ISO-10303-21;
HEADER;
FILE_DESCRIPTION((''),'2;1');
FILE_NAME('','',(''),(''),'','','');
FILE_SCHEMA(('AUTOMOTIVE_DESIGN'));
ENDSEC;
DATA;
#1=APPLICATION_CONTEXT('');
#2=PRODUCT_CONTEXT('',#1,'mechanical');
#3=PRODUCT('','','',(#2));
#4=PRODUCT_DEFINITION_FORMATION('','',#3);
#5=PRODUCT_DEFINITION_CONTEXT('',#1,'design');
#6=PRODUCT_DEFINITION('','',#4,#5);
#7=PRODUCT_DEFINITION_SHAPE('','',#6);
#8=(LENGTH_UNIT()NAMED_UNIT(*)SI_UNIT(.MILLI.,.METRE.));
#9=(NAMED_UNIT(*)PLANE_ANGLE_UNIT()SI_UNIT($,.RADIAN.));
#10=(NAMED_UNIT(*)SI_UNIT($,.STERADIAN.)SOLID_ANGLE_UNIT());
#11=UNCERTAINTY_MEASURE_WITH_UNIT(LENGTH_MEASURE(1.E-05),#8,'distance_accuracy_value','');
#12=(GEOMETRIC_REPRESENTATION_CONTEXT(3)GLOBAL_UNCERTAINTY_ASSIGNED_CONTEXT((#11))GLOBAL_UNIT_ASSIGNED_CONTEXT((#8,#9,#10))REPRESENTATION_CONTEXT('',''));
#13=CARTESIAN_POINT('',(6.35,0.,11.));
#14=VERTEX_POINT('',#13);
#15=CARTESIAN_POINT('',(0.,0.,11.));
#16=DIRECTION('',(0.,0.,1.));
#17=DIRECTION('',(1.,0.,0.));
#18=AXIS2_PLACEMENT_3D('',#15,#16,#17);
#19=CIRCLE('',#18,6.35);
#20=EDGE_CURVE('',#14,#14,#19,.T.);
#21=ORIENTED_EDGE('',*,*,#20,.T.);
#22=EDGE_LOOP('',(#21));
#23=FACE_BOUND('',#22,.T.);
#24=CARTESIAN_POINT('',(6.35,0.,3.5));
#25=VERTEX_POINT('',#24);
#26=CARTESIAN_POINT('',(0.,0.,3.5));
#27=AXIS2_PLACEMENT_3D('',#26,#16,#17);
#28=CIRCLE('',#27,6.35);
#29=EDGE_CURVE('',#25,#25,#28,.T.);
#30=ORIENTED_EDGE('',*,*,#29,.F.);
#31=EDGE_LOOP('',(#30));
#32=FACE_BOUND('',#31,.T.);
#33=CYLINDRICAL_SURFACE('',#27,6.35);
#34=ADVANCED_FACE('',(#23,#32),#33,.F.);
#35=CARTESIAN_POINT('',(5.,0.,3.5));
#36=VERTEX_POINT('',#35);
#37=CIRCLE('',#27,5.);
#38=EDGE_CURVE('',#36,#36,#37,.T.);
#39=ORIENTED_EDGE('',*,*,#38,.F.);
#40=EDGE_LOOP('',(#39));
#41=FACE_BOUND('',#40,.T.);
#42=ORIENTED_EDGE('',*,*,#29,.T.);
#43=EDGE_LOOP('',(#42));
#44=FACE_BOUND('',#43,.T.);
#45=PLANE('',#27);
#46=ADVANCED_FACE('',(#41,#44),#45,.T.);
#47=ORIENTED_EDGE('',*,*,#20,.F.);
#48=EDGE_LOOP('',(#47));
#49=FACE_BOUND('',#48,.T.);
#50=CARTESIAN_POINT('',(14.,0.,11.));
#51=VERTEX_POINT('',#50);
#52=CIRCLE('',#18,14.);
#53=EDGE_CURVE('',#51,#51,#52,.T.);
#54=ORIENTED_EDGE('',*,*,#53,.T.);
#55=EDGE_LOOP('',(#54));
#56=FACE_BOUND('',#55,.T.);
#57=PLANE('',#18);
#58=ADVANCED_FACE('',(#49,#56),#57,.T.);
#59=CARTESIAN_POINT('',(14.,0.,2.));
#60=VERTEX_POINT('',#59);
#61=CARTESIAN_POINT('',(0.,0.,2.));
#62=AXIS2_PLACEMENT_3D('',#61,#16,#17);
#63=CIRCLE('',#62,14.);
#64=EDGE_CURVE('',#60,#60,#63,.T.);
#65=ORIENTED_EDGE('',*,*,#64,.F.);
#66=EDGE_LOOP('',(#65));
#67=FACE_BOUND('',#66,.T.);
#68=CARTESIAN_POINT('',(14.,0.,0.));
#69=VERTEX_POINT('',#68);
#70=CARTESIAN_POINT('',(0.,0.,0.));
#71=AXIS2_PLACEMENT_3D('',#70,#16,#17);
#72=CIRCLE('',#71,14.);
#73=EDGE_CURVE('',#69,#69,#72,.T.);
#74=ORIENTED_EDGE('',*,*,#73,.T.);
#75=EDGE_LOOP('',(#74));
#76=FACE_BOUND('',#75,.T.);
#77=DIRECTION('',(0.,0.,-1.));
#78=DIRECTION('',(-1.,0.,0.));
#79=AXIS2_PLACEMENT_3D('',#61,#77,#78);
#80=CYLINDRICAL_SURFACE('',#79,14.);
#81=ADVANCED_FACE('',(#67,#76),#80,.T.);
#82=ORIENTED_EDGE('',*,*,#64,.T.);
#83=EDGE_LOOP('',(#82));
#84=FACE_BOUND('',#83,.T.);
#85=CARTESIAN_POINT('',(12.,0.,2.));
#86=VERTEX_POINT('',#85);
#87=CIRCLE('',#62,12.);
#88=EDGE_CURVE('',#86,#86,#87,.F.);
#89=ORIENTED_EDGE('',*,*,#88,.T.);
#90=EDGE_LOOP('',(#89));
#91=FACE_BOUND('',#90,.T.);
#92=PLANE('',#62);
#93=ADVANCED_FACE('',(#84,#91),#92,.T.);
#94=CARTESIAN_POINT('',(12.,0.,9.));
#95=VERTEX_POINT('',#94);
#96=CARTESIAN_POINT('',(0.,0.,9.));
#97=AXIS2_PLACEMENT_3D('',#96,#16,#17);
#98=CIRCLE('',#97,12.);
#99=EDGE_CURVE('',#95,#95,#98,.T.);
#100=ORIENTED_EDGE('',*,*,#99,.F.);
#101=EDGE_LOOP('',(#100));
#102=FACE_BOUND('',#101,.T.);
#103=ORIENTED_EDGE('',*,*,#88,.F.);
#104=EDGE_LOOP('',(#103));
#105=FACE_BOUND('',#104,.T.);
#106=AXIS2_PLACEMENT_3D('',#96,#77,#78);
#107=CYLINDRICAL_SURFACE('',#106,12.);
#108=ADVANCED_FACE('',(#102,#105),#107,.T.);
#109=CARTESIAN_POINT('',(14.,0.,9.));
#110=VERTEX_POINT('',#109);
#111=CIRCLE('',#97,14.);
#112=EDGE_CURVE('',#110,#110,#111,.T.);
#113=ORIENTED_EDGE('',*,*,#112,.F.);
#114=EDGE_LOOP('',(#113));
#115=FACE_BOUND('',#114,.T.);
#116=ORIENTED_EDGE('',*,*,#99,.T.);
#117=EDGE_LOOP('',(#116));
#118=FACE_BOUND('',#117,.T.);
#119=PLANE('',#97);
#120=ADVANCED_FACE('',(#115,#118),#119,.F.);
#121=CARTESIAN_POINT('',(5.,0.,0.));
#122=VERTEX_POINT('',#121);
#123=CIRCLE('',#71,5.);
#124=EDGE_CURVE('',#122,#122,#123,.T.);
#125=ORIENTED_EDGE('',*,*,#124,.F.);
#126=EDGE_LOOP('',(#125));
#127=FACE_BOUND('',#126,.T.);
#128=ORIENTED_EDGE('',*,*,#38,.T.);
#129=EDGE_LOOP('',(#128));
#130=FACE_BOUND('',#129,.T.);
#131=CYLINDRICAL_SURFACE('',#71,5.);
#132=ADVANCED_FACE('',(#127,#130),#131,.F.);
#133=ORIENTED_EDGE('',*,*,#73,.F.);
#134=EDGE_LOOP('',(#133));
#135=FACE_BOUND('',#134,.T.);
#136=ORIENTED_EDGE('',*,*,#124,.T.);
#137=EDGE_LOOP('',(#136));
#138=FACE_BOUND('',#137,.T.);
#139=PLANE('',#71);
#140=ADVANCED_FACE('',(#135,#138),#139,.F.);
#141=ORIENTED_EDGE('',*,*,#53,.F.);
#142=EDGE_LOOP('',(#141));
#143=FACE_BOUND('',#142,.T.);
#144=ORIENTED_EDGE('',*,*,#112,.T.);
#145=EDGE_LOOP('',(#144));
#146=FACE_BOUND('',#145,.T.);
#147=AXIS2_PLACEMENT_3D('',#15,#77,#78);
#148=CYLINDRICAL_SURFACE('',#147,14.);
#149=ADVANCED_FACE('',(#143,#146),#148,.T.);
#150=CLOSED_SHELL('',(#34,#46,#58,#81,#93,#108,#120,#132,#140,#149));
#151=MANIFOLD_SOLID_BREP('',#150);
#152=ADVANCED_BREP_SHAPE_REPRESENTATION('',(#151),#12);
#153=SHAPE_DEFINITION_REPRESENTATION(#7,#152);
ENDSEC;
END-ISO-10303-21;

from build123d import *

# Parameters (mm, degrees)
SKETCH1_R            = 14
SKETCH1_R_2          = 2
TOP_FLANGE_DEPTH     = 2
SKETCH1_3_R          = 12
SKETCH1_3_R_2        = 2
CENTER_SPINDLE_DEPTH = 9
BOTTOM_START         = 9
SKETCH1_4_R          = 14
SKETCH1_4_R_2        = 2
BOTTOM_FLANGE_DEPTH  = 2
BEARING_START        = -7.5
SKETCH2_R            = 6.35
SKETCH2_R_2          = 2
BEARING_RECESS_DEPTH = 7.5
SKETCH2_3_R          = 5
SKETCH2_3_R_2        = 2
SCREW_OPENING_DEPTH  = 23.649503306


with BuildPart() as part:
    # Sketch1 → Top Flange (new body)
    with BuildSketch(Plane.XY):
        Circle(SKETCH1_R)
        Circle(SKETCH1_R_2, mode=Mode.SUBTRACT)
    extrude(amount=TOP_FLANGE_DEPTH)

    # Sketch1<3> → Center Spindle (add)
    with BuildSketch(Plane.XY):
        Circle(SKETCH1_3_R)
        Circle(SKETCH1_3_R_2, mode=Mode.SUBTRACT)
    extrude(amount=CENTER_SPINDLE_DEPTH)

    # Sketch1<4> → Bottom Flange (add)
    with BuildSketch(Plane.XY.offset(BOTTOM_START)):
        Circle(SKETCH1_4_R)
        Circle(SKETCH1_4_R_2, mode=Mode.SUBTRACT)
    extrude(amount=BOTTOM_FLANGE_DEPTH)

    # Sketch2 → Bearing Recess (cut)
    with BuildSketch(Plane.XY.offset(11).offset(BEARING_START)):
        Circle(SKETCH2_R)
        Circle(SKETCH2_R_2, mode=Mode.SUBTRACT)
    extrude(amount=BEARING_RECESS_DEPTH, mode=Mode.SUBTRACT)

    # Sketch2<3> → Screw Opening (cut, through all)
    with BuildSketch(Plane.XY.offset(11)):
        Circle(SKETCH2_3_R)
        Circle(SKETCH2_3_R_2, mode=Mode.SUBTRACT)
    extrude(amount=-SCREW_OPENING_DEPTH, mode=Mode.SUBTRACT)


solid = part.part
